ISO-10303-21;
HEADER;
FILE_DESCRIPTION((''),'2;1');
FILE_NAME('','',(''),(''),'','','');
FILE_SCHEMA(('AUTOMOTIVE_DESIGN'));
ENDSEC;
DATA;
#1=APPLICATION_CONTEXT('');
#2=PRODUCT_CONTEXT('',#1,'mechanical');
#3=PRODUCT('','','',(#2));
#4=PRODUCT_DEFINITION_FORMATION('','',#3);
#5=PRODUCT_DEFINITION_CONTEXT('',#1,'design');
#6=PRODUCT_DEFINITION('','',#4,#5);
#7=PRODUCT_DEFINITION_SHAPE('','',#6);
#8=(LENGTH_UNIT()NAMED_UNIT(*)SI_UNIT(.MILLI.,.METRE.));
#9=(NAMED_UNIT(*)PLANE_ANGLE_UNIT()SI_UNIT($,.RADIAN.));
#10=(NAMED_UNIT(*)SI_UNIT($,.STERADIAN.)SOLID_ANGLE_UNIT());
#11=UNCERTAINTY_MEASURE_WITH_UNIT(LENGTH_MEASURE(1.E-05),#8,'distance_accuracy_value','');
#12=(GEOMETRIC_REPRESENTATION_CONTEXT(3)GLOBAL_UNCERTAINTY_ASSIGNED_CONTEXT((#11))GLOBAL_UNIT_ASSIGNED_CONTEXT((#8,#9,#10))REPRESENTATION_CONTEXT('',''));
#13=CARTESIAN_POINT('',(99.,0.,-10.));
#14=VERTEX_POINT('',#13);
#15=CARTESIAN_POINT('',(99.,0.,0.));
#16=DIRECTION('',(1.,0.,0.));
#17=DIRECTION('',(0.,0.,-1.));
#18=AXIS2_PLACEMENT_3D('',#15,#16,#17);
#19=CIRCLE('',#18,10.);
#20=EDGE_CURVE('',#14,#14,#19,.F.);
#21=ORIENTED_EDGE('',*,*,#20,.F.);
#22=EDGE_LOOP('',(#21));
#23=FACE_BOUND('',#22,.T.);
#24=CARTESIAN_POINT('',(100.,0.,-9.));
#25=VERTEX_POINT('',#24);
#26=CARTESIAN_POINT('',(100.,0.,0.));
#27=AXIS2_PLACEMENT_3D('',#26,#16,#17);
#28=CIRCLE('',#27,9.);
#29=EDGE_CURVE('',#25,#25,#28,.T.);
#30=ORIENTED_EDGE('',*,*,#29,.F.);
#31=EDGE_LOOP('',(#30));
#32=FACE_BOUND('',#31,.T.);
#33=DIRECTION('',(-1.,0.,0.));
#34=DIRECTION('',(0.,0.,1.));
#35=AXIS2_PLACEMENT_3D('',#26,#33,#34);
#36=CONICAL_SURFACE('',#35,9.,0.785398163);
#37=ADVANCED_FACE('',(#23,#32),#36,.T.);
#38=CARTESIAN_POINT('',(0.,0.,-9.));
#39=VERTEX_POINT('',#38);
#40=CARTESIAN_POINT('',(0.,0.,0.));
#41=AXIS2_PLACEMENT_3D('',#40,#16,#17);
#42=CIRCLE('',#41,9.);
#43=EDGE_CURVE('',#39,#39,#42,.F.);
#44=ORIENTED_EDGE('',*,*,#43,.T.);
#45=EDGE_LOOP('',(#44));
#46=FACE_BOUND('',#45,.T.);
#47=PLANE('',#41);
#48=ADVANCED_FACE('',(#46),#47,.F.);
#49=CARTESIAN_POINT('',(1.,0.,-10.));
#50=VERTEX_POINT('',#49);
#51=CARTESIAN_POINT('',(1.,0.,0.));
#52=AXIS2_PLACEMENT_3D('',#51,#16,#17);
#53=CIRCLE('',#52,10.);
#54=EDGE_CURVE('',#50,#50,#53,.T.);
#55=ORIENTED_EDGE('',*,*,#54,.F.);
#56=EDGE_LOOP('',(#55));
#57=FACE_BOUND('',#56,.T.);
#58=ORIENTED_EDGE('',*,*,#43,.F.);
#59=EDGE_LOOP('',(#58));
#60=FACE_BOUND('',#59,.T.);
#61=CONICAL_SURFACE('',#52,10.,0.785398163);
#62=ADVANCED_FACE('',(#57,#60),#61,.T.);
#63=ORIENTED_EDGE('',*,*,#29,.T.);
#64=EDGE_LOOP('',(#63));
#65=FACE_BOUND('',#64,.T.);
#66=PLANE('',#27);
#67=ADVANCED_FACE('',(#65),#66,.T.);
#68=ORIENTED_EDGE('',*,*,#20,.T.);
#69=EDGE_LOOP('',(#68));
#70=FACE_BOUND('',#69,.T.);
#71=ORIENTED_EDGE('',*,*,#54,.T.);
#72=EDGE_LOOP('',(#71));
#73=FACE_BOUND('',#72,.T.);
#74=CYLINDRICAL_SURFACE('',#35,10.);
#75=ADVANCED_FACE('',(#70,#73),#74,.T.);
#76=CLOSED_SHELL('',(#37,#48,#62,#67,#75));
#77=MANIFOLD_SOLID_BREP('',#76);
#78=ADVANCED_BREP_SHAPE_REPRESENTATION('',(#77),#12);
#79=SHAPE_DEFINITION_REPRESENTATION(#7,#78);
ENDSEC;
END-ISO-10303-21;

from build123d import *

# Parameters (mm, degrees)
SKETCH_1_R      = 10
EXTRUDE_1_DEPTH = 100
CHAMFER_1_SIZE  = 1


with BuildPart() as part:
    # Эскиз1 → Бобышка-Вытянуть1 (new body)
    with BuildSketch(Plane(origin=(0, 0, 0), x_dir=(0, 0, -1), z_dir=(1, 0, 0))):
        Circle(SKETCH_1_R)
    extrude(amount=EXTRUDE_1_DEPTH)

    # Фаска1
    chamfer_1_edges = [part.edges().sort_by_distance(p)[0] for p in [
        (0, 0, 10),
        (100, 0, 10),
    ]]
    chamfer(chamfer_1_edges, length=CHAMFER_1_SIZE)


solid = part.part
